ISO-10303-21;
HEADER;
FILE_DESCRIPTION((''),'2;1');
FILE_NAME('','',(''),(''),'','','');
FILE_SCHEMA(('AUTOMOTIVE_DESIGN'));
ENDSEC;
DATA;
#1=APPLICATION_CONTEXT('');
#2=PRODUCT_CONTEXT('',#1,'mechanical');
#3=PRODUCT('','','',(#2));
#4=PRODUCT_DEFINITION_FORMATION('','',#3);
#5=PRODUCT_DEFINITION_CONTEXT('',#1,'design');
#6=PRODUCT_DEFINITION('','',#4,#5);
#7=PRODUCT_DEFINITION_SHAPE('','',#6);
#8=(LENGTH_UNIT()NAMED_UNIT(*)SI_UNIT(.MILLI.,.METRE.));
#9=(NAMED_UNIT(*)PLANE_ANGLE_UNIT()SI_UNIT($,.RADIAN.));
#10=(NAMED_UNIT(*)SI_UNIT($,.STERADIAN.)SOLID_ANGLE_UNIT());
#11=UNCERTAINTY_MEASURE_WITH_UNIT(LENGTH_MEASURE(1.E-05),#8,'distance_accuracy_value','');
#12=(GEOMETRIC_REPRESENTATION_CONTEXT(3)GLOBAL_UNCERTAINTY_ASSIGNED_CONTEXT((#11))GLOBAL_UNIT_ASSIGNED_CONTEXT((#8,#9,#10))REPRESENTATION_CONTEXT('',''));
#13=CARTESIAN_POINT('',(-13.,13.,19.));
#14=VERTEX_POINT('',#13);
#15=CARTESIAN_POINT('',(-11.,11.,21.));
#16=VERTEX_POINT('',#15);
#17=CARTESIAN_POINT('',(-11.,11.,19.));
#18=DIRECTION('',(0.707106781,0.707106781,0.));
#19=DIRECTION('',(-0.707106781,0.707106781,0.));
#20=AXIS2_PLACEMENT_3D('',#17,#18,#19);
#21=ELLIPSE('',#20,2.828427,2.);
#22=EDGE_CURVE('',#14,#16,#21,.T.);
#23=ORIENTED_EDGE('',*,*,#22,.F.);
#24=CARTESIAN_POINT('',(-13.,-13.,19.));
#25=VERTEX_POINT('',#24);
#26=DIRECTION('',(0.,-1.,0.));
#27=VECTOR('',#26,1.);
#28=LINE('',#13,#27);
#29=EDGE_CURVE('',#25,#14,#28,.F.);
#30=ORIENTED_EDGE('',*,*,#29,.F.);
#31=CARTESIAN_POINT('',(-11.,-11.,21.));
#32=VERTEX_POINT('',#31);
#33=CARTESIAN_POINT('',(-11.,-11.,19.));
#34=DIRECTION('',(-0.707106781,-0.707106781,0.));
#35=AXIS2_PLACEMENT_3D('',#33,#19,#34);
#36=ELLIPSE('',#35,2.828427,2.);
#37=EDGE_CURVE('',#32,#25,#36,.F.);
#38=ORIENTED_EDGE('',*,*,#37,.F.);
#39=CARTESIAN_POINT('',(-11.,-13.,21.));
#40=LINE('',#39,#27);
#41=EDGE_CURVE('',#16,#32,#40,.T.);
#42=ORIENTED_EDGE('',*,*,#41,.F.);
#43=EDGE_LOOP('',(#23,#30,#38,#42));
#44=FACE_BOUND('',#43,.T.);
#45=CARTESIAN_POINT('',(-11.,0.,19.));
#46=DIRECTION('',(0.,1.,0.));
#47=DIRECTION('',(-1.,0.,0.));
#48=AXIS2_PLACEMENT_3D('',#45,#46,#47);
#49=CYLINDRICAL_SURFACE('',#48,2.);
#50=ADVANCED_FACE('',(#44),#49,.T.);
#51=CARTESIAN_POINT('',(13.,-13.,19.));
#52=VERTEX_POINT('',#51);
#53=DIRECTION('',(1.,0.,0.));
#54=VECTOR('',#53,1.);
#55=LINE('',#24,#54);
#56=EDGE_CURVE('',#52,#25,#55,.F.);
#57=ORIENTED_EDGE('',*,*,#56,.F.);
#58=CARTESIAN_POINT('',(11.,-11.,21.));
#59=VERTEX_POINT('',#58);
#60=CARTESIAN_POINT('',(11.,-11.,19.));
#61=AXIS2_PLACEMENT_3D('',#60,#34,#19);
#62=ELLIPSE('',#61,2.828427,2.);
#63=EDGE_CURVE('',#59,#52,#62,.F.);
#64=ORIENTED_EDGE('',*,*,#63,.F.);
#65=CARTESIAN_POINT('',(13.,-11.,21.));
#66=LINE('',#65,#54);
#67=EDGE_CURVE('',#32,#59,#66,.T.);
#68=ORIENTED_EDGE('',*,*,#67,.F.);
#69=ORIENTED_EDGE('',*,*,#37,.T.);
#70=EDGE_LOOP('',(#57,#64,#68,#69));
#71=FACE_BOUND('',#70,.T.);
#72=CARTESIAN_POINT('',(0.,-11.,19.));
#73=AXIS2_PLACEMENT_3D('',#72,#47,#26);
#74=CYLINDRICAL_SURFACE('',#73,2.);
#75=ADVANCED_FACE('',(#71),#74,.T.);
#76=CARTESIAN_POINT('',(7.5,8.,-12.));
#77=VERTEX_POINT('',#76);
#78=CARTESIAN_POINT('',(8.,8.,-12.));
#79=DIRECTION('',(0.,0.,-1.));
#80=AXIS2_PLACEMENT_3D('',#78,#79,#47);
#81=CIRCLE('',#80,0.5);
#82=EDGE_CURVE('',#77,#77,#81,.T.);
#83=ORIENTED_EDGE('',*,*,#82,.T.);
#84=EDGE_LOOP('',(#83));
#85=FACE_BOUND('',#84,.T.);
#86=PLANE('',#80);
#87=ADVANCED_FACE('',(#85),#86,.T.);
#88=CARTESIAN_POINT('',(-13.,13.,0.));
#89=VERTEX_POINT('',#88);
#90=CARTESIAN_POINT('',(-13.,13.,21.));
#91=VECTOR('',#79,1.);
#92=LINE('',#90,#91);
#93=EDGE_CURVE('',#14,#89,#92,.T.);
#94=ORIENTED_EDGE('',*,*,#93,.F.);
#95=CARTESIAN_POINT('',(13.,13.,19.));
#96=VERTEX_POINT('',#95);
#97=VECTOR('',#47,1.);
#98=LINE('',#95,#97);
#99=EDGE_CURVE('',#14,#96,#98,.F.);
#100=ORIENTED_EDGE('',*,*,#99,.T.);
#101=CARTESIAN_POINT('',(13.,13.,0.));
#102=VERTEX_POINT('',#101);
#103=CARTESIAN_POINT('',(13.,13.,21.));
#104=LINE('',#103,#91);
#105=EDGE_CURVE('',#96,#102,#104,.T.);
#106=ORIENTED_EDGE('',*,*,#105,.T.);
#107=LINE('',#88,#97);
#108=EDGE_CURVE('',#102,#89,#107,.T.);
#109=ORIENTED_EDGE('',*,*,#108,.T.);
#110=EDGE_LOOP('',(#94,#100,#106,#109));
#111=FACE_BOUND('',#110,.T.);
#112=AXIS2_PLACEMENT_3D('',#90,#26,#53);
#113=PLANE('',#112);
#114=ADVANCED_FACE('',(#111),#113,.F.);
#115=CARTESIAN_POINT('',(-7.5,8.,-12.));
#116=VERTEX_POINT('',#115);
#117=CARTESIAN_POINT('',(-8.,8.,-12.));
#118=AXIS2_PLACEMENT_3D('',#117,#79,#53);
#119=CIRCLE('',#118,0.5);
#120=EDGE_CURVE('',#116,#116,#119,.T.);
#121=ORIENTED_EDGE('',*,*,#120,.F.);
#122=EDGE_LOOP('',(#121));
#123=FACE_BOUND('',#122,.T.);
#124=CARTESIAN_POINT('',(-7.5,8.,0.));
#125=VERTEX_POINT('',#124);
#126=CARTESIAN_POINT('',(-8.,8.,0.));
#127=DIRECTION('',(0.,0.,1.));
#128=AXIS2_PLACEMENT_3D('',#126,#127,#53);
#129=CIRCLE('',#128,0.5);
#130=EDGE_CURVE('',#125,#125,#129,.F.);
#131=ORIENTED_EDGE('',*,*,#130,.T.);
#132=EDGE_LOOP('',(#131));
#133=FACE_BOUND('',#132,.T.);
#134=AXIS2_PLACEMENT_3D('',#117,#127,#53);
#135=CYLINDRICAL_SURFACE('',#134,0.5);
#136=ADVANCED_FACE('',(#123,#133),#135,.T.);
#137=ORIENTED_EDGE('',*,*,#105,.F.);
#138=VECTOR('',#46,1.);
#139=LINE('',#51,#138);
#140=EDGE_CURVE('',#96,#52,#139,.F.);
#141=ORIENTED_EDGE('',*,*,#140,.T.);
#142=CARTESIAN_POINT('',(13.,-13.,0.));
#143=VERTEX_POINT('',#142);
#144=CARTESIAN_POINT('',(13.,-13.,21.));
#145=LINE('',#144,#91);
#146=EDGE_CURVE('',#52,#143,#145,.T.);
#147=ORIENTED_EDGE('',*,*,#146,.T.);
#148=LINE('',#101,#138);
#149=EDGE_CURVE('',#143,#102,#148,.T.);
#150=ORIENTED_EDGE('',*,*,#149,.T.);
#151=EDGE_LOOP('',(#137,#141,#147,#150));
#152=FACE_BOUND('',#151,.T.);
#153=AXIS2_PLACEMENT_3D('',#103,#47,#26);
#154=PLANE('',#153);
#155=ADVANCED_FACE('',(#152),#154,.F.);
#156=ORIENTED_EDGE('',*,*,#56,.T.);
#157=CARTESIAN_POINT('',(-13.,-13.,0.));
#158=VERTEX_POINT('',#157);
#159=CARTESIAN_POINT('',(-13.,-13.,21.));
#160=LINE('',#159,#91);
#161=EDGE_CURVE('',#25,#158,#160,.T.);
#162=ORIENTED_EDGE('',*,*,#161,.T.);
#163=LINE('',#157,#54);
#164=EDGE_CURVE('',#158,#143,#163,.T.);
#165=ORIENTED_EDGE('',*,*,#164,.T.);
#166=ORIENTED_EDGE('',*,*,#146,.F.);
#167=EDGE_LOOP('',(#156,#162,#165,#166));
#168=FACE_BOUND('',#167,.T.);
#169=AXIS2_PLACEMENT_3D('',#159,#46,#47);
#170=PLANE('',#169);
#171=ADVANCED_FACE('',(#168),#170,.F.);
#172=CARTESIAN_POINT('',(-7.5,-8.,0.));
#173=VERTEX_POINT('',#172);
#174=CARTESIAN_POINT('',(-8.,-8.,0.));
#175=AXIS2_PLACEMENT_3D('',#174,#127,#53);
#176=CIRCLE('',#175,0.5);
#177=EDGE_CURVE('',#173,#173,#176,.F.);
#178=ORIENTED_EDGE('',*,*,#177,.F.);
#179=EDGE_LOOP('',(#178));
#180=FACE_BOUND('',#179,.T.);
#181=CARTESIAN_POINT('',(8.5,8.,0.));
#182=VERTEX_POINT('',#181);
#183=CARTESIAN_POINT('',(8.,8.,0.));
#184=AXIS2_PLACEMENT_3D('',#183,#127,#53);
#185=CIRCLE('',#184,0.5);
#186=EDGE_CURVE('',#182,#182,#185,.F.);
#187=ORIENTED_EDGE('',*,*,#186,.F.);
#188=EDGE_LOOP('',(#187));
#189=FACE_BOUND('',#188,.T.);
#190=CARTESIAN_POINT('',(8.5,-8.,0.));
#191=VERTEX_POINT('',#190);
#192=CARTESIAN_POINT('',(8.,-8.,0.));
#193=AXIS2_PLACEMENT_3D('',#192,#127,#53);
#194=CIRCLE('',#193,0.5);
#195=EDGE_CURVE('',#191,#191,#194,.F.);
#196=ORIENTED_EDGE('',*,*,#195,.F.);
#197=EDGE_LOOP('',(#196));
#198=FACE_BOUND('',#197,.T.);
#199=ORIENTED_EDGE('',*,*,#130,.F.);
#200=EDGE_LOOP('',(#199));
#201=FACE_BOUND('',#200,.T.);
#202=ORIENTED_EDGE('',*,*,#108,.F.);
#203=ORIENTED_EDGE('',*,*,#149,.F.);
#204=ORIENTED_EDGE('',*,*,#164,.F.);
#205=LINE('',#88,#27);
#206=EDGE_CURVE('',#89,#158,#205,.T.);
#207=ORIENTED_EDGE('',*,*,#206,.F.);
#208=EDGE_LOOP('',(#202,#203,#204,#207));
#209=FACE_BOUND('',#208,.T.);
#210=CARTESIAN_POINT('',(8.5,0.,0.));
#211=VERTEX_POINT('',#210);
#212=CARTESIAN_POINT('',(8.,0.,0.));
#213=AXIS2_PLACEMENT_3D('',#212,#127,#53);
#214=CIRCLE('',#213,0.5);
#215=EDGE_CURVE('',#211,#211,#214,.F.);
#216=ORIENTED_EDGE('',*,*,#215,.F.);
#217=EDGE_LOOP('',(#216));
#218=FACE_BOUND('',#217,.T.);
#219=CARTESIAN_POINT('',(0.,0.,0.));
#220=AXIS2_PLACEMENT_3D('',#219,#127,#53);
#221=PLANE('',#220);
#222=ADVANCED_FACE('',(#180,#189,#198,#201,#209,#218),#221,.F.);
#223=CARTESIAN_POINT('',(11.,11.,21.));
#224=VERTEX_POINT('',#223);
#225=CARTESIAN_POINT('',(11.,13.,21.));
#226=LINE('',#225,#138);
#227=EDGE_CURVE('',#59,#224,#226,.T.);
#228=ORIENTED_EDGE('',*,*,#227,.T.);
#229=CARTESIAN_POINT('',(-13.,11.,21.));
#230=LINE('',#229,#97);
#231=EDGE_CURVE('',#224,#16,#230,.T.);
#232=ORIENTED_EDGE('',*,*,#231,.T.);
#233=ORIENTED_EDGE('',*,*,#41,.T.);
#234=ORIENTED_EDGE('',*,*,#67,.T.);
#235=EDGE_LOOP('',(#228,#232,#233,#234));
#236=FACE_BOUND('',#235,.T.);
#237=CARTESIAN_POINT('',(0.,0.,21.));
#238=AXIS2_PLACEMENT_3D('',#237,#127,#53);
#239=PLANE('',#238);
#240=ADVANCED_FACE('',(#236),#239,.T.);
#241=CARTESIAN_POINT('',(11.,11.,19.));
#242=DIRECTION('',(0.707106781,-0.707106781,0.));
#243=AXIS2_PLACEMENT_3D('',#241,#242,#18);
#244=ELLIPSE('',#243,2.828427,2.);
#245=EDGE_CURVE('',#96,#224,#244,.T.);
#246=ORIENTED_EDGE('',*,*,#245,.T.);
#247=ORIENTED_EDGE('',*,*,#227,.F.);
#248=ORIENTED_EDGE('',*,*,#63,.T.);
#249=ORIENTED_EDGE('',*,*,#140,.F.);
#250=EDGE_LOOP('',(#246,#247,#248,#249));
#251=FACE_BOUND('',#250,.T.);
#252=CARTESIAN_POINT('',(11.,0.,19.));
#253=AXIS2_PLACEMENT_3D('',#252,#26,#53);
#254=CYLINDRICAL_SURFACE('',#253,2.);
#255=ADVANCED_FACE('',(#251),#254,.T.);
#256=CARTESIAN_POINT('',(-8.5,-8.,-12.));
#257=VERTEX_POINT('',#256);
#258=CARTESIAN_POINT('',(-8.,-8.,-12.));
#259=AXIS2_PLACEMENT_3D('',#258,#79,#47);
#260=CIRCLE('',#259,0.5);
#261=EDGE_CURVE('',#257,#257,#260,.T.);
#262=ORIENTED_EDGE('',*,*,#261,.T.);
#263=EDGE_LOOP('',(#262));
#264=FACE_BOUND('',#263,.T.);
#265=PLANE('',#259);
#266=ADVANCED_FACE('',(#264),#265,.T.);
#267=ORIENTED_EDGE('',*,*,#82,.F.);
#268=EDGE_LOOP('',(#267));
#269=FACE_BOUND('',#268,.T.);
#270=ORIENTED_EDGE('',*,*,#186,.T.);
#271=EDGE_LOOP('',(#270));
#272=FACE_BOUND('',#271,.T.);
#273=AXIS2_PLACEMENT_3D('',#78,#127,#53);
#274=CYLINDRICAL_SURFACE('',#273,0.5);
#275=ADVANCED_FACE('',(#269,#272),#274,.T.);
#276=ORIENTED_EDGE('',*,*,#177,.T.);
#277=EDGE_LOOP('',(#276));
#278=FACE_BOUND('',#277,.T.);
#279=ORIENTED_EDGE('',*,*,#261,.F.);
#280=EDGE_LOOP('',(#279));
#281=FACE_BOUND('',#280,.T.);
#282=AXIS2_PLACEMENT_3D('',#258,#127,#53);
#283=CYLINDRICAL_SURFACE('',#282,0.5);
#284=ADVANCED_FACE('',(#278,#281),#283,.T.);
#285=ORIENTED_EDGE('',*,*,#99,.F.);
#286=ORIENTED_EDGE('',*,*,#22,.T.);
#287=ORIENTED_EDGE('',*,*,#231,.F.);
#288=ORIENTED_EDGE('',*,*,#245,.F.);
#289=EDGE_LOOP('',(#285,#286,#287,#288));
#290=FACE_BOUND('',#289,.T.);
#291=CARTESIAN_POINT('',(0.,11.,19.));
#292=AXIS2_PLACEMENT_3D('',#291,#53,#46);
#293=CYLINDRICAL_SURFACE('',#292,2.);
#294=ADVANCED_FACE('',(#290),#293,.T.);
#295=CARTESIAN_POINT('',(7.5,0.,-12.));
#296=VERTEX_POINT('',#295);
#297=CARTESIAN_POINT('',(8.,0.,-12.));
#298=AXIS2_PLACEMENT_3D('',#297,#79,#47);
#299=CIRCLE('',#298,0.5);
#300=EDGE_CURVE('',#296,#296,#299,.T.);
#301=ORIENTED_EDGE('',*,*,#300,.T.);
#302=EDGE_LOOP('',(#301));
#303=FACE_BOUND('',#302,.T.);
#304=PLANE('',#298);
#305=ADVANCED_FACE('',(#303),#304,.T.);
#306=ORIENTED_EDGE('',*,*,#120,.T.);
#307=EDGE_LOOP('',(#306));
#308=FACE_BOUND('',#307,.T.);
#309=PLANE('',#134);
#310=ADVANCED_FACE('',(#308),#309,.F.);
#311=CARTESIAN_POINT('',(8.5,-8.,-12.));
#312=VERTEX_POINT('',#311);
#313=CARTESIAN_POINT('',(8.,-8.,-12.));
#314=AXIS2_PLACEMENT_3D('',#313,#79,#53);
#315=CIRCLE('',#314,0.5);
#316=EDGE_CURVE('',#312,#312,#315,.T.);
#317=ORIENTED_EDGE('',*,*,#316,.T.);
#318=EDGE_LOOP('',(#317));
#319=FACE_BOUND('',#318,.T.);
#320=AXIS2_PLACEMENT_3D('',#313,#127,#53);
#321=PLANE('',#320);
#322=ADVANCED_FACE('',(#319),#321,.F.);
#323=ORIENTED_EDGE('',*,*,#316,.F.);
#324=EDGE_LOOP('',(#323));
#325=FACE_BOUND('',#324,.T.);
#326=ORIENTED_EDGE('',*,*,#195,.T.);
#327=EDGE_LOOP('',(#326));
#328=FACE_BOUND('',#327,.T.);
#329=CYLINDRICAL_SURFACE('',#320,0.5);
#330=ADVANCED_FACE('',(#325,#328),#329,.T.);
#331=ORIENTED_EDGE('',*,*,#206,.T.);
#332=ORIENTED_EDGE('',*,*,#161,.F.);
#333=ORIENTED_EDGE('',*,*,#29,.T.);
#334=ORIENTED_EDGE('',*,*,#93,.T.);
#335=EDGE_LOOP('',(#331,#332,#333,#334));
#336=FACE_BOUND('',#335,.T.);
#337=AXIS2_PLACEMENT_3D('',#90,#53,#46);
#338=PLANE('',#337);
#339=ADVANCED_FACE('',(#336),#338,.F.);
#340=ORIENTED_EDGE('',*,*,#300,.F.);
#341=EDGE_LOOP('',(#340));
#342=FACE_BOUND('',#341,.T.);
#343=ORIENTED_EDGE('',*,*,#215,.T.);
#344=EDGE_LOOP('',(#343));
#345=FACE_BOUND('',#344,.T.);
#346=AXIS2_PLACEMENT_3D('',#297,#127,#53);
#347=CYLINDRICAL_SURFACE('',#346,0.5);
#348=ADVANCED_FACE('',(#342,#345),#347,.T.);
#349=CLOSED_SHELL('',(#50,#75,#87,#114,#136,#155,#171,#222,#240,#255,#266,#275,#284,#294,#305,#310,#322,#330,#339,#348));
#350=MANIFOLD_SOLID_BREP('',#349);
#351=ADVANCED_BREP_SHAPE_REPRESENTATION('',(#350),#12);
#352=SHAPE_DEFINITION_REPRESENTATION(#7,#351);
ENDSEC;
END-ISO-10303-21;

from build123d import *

# Parameters (mm, degrees)
SKETCH_1_W      = 26
SKETCH_1_H      = 26
EXTRUDE_1_DEPTH = 21
FILLET_1_R      = 2
SKETCH_2_R      = 0.5
EXTRUDE_2_DEPTH = 12


with BuildPart() as part:
    # 草图1 → 凸台-拉伸1 (new body)
    with BuildSketch(Plane.XY):
        Rectangle(SKETCH_1_W, SKETCH_1_H)
    extrude(amount=EXTRUDE_1_DEPTH)

    # 圆角1
    fillet_1_edges = [part.edges().sort_by_distance(p)[0] for p in [
        (13, 0, 21),
        (0, 13, 21),
        (-13, 0, 21),
        (0, -13, 21),
    ]]
    fillet(fillet_1_edges, radius=FILLET_1_R)

    # 草图2 → 凸台-拉伸2 (add)
    with BuildSketch(Plane(origin=(0, 0, 0), x_dir=(-1, 0, 0), z_dir=(0, 0, -1))):
        with Locations(Location((-8, 8, 0), (0, 0, 180))):
            Circle(SKETCH_2_R)
        with Locations(Location((-8, 0, 0), (0, 0, 180))):
            Circle(SKETCH_2_R)
        with Locations(Location((-8, -8, 0), (0, 0, 180))):
            Circle(SKETCH_2_R)
        with Locations(Location((8, -8, 0), (0, 0, 180))):
            Circle(SKETCH_2_R)
        with Locations(Location((8, 8, 0), (0, 0, 180))):
            Circle(SKETCH_2_R)
    extrude(amount=EXTRUDE_2_DEPTH)


solid = part.part
